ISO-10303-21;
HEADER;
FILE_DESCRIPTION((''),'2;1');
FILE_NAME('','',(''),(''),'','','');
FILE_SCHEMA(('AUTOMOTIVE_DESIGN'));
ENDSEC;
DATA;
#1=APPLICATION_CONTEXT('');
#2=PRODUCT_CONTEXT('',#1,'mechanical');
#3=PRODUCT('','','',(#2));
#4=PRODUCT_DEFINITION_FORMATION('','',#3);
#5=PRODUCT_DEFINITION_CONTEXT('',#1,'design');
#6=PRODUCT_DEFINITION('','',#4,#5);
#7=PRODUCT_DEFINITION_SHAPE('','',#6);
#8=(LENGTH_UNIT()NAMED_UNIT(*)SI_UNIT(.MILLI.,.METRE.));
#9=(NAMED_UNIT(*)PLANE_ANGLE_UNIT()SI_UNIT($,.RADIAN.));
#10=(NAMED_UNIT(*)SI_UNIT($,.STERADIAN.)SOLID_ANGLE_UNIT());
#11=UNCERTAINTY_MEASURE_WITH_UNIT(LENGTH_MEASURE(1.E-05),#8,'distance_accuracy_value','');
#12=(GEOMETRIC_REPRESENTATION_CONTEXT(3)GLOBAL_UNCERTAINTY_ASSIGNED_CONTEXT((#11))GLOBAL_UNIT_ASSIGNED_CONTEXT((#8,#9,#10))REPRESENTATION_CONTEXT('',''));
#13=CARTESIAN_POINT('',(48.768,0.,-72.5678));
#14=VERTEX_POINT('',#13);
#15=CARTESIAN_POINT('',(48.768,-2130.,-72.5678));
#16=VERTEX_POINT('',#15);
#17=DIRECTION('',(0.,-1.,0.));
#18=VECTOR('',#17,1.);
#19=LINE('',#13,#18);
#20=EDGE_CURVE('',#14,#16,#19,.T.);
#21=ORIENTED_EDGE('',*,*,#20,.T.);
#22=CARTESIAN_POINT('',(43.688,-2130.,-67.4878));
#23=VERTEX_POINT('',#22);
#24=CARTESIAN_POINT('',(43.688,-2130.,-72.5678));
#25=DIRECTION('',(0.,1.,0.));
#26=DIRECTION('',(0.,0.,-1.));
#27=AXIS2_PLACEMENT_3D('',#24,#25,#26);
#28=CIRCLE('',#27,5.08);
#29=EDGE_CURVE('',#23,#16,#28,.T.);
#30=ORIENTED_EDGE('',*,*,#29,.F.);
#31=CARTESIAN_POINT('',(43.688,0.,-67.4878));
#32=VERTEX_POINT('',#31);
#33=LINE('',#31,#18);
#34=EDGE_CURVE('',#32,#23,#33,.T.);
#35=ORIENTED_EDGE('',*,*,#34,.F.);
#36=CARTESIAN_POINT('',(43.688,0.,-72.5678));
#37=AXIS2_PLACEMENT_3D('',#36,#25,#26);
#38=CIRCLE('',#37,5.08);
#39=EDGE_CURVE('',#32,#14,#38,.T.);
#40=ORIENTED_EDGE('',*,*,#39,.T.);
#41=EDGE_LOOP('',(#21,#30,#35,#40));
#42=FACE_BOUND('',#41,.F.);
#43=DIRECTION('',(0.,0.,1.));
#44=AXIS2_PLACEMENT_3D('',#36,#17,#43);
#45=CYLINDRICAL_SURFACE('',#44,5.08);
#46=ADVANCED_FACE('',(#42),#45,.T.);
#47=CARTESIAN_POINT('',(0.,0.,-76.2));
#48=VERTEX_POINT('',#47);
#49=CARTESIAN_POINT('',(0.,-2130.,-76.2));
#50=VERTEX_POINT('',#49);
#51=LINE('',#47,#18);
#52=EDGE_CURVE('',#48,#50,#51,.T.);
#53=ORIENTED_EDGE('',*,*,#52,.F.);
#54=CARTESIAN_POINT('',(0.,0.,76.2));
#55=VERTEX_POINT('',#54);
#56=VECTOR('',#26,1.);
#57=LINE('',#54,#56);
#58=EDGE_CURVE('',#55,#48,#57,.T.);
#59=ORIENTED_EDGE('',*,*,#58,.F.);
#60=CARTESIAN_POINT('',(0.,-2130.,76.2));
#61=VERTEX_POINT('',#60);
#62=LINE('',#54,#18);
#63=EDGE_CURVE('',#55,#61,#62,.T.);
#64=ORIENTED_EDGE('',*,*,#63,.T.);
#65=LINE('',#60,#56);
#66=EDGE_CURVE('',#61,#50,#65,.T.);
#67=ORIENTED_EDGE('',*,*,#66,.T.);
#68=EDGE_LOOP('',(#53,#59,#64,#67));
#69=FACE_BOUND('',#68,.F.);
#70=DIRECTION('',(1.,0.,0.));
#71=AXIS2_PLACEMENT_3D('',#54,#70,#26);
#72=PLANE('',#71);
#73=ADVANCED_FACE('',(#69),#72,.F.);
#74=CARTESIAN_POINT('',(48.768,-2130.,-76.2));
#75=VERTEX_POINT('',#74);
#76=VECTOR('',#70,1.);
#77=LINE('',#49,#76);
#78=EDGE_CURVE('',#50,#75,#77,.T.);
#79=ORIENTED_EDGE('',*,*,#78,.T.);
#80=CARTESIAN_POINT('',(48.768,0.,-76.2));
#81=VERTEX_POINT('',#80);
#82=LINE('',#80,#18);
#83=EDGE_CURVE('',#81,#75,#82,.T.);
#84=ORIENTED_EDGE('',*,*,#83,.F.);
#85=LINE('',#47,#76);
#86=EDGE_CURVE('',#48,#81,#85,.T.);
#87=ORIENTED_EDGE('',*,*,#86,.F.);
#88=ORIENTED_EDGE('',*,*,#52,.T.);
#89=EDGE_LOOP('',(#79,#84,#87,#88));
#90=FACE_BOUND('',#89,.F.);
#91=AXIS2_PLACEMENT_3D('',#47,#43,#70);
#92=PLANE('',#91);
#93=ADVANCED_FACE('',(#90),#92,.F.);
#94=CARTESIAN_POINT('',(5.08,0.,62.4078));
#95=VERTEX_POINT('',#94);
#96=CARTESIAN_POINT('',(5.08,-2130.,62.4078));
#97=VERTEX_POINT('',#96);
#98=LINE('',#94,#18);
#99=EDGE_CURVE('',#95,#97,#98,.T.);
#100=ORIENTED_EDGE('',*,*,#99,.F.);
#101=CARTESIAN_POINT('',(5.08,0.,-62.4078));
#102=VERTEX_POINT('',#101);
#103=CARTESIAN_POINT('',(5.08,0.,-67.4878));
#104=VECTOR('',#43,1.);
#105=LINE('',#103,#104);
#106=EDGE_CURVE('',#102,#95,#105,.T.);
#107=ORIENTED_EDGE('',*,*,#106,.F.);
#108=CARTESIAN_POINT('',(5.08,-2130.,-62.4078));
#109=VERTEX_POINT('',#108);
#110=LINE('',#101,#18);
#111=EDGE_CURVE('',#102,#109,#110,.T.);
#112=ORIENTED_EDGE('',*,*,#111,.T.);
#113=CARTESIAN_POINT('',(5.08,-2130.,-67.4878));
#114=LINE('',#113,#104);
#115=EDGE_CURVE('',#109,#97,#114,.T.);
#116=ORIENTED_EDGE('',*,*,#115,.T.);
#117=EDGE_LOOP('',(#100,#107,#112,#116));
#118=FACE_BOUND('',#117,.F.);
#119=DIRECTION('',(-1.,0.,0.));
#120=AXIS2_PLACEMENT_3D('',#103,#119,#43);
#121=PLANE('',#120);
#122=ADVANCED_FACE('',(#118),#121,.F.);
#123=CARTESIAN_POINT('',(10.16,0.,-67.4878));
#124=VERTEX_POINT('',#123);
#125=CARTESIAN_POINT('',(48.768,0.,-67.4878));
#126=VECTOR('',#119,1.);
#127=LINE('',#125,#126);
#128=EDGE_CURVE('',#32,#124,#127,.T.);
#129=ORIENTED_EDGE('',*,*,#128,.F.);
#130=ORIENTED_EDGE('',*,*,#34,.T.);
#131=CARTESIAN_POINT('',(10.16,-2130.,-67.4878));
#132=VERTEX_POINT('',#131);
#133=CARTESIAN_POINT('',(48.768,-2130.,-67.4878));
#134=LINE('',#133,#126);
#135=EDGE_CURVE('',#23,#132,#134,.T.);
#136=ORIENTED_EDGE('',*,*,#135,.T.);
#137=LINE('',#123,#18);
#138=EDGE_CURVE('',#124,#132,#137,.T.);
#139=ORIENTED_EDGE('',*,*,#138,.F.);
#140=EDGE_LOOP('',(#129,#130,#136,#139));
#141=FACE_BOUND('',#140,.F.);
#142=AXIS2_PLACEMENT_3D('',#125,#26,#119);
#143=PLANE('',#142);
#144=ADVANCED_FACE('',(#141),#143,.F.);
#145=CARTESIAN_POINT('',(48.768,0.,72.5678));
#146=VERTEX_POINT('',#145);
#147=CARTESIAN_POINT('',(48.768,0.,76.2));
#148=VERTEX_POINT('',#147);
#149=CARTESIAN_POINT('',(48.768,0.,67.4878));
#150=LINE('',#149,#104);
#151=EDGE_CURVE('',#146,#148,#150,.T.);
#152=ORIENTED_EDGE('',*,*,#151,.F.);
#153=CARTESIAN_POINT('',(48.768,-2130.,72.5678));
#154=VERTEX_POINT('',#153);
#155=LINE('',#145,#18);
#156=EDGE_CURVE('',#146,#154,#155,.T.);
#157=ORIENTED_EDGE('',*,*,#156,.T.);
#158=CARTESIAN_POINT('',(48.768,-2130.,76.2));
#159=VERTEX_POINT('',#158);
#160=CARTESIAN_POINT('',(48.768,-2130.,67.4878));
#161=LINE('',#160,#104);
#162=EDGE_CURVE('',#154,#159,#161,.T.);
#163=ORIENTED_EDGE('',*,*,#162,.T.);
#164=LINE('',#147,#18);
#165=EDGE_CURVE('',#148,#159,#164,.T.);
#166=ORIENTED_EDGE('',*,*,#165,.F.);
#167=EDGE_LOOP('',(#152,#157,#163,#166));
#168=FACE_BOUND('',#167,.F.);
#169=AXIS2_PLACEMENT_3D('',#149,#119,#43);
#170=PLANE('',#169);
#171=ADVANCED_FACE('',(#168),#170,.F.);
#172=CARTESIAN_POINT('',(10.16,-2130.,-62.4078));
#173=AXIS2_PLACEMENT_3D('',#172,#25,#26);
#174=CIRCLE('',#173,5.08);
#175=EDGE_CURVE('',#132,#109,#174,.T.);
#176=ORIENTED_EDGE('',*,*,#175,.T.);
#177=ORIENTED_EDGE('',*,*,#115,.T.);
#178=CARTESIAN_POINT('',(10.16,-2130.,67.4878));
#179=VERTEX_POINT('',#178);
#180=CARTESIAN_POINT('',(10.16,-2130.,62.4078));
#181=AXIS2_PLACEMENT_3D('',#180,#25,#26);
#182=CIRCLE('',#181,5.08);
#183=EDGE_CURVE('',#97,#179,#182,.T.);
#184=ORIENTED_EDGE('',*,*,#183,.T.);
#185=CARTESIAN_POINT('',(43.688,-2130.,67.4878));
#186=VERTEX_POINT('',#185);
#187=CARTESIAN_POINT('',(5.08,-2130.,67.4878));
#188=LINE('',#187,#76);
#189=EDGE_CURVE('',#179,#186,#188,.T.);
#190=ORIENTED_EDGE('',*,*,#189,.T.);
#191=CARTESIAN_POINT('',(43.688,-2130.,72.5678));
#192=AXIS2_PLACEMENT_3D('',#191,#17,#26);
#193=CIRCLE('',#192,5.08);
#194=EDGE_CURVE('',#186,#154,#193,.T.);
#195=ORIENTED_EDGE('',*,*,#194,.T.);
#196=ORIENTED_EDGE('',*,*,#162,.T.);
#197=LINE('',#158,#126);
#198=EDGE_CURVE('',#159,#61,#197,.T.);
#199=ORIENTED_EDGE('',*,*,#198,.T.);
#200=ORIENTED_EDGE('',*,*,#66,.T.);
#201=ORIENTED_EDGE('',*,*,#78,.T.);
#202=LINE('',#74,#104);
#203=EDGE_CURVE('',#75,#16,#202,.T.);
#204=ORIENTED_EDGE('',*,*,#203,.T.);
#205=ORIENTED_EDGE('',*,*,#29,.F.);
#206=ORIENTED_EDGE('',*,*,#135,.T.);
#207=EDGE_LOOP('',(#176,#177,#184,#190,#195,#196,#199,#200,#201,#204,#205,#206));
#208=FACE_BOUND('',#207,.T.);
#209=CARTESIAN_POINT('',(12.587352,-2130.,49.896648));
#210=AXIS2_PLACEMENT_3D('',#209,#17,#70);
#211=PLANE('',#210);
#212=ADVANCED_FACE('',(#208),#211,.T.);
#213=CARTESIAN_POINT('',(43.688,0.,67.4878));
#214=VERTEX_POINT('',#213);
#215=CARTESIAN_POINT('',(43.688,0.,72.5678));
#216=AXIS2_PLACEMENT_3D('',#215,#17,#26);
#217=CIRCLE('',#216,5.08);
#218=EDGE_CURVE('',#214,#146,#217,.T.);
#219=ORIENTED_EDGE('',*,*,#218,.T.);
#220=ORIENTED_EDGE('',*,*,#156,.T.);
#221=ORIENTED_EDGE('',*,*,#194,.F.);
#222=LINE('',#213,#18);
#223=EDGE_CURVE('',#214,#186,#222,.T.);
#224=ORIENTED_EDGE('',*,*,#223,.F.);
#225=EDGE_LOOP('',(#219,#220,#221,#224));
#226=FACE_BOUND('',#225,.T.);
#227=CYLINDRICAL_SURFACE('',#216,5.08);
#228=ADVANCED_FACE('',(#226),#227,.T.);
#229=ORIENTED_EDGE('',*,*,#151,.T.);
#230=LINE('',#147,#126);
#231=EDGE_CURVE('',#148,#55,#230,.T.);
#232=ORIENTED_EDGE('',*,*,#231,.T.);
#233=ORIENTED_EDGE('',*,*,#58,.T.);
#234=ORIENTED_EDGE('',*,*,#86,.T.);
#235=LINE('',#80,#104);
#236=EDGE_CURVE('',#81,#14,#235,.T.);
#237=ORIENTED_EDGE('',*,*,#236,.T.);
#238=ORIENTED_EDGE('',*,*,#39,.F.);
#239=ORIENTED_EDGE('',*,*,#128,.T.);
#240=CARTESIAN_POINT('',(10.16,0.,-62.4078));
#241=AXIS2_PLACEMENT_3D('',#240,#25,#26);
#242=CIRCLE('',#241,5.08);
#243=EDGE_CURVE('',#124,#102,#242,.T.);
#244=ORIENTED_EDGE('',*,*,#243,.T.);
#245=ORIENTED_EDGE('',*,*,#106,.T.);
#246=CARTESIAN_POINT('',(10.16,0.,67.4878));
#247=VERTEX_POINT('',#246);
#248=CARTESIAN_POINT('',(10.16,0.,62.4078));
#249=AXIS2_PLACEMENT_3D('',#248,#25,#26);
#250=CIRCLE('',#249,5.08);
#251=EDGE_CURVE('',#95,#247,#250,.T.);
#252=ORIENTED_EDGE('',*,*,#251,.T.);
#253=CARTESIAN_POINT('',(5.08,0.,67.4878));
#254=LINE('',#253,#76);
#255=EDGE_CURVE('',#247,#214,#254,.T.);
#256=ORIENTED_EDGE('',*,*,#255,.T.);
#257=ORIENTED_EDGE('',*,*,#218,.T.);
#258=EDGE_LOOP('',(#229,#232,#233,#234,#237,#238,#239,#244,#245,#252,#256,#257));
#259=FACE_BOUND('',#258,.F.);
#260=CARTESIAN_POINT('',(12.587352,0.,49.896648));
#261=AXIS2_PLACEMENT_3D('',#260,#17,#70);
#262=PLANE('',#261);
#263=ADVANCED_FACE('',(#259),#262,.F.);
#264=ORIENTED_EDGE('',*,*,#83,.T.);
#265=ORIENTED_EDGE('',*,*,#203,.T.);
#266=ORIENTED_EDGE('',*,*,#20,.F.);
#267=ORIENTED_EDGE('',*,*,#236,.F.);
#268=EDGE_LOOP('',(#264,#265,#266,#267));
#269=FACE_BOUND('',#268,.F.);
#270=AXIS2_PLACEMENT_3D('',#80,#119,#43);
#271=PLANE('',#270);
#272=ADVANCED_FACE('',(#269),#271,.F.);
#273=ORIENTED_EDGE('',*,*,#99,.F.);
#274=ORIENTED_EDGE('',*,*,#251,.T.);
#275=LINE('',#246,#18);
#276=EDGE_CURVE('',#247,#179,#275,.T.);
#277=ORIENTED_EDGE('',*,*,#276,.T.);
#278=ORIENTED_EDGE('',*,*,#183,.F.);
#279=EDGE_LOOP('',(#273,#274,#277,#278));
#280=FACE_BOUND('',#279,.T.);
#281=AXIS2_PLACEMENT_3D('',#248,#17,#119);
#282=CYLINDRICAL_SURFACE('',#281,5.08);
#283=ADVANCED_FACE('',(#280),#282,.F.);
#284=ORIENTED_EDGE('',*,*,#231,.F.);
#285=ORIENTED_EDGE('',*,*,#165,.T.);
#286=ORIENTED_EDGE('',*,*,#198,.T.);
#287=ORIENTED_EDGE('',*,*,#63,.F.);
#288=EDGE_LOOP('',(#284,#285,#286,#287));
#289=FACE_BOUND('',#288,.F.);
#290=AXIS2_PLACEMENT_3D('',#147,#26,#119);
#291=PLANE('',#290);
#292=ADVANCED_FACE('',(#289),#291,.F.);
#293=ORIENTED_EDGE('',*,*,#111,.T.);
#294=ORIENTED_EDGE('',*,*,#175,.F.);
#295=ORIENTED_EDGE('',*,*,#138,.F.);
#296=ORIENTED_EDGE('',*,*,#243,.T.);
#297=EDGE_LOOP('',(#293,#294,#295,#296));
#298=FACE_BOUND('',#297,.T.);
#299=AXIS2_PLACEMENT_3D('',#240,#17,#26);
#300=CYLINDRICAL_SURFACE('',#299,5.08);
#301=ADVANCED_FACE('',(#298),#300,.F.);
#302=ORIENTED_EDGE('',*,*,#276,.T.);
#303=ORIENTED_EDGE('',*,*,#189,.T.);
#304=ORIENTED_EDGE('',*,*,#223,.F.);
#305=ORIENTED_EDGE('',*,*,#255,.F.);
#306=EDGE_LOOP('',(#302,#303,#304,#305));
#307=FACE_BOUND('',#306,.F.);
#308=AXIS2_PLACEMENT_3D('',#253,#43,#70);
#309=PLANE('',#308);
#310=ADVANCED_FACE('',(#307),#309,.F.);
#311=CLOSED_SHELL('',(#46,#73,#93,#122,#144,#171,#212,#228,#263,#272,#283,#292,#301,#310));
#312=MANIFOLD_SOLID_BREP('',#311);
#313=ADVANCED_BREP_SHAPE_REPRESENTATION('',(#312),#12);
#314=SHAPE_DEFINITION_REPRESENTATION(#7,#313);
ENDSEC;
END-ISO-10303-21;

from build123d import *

# Parameters (mm, degrees)
F1_DEPTH = 2130
F2_R     = 5.08
F3_R     = 5.08


with BuildPart() as f1:
    # F0 (on Front) → F1 (new body)
    with BuildSketch(Plane.XZ):
        Polygon((48.768, 76.2), (0, 76.2), (0, 0), (5.08, 0), (5.08, 67.4878), (48.768, 67.4878), align=None)
        Polygon((5.08, 0), (0, 0), (0, -76.2), (48.768, -76.2), (48.768, -67.4878), (5.08, -67.4878), align=None)
    extrude(amount=F1_DEPTH)

    # F2
    f2_edges = [f1.edges().sort_by_distance(p)[0] for p in [
        (5.08, -1065, -67.4878),
        (5.08, -1065, 67.4878),
    ]]
    fillet(f2_edges, radius=F2_R)

    # F3
    f3_edges = [f1.edges().sort_by_distance(p)[0] for p in [
        (48.768, -1065, 67.4878),
        (48.768, -1065, -67.4878),
    ]]
    fillet(f3_edges, radius=F3_R)


solid = f1.part
